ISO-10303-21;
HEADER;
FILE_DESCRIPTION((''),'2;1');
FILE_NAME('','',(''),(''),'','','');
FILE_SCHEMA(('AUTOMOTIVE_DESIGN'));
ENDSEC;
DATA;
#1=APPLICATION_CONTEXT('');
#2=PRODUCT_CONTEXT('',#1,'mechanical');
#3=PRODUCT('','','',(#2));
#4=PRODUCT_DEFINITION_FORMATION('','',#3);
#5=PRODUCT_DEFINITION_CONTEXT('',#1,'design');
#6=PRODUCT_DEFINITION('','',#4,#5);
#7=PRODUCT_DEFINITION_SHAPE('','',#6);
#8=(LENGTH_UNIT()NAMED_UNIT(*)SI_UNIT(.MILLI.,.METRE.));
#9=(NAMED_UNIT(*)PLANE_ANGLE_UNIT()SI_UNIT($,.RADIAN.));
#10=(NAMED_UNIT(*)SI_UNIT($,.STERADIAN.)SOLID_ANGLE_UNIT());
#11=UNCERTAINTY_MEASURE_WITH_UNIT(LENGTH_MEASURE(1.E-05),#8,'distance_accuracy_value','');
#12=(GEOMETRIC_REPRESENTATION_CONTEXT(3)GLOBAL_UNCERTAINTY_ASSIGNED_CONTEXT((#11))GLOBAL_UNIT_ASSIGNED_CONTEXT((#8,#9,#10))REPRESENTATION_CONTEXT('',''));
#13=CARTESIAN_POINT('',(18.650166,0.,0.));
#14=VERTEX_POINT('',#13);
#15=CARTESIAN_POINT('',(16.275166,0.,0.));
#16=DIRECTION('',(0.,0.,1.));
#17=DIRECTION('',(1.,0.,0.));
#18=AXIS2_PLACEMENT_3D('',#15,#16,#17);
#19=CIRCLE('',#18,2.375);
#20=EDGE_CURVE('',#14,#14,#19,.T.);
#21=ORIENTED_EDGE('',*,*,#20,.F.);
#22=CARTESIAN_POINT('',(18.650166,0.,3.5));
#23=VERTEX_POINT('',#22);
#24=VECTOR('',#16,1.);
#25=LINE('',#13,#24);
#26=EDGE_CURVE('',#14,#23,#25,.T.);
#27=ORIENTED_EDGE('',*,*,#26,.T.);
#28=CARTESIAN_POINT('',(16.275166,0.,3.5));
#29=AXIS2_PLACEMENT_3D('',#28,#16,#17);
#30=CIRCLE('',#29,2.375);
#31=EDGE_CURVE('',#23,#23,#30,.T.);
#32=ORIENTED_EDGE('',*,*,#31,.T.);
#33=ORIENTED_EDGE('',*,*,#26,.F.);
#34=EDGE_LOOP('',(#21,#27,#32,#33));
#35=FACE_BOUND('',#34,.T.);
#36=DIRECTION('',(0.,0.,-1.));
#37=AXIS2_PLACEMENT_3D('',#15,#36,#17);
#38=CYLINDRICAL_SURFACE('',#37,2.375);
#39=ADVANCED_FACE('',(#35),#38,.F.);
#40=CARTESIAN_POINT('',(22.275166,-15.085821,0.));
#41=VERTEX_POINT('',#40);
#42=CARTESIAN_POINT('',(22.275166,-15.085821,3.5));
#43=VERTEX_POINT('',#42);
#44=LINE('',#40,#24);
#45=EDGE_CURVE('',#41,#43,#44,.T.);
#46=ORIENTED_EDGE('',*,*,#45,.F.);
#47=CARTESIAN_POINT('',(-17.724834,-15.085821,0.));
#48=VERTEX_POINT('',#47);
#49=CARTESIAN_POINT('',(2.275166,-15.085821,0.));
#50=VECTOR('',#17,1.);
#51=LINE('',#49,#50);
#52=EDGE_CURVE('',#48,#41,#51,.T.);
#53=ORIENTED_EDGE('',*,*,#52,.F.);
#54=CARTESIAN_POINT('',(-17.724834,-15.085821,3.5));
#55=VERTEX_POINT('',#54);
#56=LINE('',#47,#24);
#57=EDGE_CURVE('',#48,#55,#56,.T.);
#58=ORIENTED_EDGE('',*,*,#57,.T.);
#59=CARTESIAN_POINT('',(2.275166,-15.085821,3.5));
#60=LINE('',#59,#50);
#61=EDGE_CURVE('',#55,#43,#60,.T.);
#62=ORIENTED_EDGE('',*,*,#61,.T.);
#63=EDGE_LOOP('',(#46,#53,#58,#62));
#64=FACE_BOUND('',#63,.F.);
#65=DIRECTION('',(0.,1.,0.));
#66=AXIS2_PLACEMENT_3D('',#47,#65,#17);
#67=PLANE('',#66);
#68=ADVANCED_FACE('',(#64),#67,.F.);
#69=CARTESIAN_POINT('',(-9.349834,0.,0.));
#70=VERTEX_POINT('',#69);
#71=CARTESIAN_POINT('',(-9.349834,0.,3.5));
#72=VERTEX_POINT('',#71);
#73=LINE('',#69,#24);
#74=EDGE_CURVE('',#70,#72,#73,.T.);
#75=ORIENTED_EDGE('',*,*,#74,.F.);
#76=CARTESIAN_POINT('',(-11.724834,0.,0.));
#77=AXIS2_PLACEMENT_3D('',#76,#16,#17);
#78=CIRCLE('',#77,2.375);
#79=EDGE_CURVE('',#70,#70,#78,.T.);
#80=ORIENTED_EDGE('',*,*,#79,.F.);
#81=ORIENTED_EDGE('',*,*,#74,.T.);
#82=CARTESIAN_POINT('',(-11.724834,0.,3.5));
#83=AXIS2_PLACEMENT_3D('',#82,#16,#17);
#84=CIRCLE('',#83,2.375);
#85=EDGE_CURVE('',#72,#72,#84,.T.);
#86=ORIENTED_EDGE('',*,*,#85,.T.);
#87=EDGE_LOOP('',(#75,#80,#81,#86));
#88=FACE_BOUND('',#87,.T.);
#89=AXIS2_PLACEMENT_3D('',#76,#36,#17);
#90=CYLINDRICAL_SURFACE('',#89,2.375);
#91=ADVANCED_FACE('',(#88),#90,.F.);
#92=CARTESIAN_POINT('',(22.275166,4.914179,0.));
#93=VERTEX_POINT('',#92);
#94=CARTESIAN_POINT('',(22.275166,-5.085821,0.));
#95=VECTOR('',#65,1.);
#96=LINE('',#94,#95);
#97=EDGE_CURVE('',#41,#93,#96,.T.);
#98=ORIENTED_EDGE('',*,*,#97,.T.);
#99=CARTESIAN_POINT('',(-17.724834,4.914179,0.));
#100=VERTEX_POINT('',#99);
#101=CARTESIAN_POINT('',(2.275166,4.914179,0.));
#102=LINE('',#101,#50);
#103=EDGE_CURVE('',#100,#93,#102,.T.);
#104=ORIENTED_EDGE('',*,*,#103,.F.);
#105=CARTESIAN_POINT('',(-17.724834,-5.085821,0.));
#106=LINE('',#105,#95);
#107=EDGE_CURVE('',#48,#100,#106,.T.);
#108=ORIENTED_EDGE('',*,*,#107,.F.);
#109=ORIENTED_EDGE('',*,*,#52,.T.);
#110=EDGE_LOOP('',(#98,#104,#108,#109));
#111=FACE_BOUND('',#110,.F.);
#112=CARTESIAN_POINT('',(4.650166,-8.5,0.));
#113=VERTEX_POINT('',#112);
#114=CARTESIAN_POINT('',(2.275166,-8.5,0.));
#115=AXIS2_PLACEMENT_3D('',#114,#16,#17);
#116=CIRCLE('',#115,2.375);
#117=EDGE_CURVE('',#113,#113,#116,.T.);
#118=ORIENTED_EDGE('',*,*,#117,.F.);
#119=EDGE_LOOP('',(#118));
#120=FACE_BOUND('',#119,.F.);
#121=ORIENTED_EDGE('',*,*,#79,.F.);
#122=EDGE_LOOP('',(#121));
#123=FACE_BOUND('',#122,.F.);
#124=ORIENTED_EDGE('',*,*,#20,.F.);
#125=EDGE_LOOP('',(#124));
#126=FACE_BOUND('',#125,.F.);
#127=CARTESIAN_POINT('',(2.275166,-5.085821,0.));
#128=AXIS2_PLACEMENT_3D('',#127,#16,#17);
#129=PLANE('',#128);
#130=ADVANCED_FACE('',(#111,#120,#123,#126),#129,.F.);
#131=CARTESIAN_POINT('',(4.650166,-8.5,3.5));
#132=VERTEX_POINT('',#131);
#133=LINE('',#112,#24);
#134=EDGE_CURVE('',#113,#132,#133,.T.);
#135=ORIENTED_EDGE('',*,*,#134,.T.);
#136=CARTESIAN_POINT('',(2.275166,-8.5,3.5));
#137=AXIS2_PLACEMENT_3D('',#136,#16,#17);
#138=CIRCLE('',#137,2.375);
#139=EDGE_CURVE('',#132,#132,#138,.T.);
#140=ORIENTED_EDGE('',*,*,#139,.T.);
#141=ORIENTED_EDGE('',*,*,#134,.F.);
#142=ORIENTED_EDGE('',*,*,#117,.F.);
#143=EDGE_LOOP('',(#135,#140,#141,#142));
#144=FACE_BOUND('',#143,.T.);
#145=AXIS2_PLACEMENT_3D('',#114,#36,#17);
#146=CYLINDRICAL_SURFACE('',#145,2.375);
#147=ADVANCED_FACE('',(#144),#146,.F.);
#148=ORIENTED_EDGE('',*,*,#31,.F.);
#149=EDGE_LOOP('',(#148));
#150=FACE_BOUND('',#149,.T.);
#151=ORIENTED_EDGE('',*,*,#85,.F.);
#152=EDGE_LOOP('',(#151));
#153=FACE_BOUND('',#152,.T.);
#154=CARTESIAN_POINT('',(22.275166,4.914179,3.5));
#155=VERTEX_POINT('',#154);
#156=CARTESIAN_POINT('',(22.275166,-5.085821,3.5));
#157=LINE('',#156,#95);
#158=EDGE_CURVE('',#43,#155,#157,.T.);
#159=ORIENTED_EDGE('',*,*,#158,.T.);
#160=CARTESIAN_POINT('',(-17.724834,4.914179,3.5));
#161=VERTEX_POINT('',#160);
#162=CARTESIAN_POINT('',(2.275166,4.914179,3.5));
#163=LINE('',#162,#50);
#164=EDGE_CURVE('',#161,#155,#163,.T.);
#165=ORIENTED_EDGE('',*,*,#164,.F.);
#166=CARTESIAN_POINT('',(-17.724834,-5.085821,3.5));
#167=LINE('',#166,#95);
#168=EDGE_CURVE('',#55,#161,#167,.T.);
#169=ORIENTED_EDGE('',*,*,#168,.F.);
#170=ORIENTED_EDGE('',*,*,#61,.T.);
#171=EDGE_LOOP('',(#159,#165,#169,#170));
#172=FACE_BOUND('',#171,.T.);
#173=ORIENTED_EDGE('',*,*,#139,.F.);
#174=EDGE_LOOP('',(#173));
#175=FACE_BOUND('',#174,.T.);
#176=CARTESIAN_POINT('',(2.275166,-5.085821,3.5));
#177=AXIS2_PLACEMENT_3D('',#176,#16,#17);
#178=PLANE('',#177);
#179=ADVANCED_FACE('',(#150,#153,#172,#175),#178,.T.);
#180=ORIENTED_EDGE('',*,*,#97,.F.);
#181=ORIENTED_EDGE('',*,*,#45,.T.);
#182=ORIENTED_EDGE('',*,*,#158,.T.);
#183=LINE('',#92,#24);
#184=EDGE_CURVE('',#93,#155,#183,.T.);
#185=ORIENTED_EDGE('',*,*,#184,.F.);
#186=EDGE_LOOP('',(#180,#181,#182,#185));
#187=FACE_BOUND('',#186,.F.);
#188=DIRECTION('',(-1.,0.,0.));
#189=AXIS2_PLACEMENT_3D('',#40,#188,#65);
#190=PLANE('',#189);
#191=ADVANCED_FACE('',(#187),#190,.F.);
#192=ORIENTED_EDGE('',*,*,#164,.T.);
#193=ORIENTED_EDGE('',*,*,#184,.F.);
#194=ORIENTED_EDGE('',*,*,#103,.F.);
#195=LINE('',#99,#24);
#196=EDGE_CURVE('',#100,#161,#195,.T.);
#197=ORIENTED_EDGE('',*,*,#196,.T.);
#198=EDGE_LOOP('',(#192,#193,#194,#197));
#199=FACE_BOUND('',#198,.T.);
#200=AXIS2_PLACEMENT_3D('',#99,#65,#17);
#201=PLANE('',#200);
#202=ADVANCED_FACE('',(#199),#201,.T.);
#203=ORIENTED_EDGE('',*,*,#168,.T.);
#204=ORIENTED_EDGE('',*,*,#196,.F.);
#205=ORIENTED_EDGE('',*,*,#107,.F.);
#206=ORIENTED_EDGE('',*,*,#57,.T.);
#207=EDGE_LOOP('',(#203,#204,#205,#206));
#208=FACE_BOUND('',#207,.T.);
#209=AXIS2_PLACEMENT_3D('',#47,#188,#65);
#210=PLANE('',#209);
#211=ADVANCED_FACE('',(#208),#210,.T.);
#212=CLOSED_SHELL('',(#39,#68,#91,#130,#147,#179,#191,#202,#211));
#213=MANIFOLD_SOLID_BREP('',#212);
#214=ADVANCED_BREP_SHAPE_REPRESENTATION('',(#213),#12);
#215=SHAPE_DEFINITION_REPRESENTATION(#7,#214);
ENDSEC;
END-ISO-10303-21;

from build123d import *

# Parameters (mm, degrees)
F0_W     = 40
F0_H     = 20
F0_R     = 2.375
F1_DEPTH = 3.5


with BuildPart() as f1:
    # F0 (on Top) → F1 (new body)
    with BuildSketch(Plane.XY):
        with Locations((2.275166, -5.085821)):
            Rectangle(F0_W, F0_H)
        with Locations((2.275166, -8.5)):
            Circle(F0_R, mode=Mode.SUBTRACT)
        with Locations((-11.724834, 0)):
            Circle(F0_R, mode=Mode.SUBTRACT)
        with Locations((16.275166, 0)):
            Circle(F0_R, mode=Mode.SUBTRACT)
    extrude(amount=F1_DEPTH)


solid = f1.part
